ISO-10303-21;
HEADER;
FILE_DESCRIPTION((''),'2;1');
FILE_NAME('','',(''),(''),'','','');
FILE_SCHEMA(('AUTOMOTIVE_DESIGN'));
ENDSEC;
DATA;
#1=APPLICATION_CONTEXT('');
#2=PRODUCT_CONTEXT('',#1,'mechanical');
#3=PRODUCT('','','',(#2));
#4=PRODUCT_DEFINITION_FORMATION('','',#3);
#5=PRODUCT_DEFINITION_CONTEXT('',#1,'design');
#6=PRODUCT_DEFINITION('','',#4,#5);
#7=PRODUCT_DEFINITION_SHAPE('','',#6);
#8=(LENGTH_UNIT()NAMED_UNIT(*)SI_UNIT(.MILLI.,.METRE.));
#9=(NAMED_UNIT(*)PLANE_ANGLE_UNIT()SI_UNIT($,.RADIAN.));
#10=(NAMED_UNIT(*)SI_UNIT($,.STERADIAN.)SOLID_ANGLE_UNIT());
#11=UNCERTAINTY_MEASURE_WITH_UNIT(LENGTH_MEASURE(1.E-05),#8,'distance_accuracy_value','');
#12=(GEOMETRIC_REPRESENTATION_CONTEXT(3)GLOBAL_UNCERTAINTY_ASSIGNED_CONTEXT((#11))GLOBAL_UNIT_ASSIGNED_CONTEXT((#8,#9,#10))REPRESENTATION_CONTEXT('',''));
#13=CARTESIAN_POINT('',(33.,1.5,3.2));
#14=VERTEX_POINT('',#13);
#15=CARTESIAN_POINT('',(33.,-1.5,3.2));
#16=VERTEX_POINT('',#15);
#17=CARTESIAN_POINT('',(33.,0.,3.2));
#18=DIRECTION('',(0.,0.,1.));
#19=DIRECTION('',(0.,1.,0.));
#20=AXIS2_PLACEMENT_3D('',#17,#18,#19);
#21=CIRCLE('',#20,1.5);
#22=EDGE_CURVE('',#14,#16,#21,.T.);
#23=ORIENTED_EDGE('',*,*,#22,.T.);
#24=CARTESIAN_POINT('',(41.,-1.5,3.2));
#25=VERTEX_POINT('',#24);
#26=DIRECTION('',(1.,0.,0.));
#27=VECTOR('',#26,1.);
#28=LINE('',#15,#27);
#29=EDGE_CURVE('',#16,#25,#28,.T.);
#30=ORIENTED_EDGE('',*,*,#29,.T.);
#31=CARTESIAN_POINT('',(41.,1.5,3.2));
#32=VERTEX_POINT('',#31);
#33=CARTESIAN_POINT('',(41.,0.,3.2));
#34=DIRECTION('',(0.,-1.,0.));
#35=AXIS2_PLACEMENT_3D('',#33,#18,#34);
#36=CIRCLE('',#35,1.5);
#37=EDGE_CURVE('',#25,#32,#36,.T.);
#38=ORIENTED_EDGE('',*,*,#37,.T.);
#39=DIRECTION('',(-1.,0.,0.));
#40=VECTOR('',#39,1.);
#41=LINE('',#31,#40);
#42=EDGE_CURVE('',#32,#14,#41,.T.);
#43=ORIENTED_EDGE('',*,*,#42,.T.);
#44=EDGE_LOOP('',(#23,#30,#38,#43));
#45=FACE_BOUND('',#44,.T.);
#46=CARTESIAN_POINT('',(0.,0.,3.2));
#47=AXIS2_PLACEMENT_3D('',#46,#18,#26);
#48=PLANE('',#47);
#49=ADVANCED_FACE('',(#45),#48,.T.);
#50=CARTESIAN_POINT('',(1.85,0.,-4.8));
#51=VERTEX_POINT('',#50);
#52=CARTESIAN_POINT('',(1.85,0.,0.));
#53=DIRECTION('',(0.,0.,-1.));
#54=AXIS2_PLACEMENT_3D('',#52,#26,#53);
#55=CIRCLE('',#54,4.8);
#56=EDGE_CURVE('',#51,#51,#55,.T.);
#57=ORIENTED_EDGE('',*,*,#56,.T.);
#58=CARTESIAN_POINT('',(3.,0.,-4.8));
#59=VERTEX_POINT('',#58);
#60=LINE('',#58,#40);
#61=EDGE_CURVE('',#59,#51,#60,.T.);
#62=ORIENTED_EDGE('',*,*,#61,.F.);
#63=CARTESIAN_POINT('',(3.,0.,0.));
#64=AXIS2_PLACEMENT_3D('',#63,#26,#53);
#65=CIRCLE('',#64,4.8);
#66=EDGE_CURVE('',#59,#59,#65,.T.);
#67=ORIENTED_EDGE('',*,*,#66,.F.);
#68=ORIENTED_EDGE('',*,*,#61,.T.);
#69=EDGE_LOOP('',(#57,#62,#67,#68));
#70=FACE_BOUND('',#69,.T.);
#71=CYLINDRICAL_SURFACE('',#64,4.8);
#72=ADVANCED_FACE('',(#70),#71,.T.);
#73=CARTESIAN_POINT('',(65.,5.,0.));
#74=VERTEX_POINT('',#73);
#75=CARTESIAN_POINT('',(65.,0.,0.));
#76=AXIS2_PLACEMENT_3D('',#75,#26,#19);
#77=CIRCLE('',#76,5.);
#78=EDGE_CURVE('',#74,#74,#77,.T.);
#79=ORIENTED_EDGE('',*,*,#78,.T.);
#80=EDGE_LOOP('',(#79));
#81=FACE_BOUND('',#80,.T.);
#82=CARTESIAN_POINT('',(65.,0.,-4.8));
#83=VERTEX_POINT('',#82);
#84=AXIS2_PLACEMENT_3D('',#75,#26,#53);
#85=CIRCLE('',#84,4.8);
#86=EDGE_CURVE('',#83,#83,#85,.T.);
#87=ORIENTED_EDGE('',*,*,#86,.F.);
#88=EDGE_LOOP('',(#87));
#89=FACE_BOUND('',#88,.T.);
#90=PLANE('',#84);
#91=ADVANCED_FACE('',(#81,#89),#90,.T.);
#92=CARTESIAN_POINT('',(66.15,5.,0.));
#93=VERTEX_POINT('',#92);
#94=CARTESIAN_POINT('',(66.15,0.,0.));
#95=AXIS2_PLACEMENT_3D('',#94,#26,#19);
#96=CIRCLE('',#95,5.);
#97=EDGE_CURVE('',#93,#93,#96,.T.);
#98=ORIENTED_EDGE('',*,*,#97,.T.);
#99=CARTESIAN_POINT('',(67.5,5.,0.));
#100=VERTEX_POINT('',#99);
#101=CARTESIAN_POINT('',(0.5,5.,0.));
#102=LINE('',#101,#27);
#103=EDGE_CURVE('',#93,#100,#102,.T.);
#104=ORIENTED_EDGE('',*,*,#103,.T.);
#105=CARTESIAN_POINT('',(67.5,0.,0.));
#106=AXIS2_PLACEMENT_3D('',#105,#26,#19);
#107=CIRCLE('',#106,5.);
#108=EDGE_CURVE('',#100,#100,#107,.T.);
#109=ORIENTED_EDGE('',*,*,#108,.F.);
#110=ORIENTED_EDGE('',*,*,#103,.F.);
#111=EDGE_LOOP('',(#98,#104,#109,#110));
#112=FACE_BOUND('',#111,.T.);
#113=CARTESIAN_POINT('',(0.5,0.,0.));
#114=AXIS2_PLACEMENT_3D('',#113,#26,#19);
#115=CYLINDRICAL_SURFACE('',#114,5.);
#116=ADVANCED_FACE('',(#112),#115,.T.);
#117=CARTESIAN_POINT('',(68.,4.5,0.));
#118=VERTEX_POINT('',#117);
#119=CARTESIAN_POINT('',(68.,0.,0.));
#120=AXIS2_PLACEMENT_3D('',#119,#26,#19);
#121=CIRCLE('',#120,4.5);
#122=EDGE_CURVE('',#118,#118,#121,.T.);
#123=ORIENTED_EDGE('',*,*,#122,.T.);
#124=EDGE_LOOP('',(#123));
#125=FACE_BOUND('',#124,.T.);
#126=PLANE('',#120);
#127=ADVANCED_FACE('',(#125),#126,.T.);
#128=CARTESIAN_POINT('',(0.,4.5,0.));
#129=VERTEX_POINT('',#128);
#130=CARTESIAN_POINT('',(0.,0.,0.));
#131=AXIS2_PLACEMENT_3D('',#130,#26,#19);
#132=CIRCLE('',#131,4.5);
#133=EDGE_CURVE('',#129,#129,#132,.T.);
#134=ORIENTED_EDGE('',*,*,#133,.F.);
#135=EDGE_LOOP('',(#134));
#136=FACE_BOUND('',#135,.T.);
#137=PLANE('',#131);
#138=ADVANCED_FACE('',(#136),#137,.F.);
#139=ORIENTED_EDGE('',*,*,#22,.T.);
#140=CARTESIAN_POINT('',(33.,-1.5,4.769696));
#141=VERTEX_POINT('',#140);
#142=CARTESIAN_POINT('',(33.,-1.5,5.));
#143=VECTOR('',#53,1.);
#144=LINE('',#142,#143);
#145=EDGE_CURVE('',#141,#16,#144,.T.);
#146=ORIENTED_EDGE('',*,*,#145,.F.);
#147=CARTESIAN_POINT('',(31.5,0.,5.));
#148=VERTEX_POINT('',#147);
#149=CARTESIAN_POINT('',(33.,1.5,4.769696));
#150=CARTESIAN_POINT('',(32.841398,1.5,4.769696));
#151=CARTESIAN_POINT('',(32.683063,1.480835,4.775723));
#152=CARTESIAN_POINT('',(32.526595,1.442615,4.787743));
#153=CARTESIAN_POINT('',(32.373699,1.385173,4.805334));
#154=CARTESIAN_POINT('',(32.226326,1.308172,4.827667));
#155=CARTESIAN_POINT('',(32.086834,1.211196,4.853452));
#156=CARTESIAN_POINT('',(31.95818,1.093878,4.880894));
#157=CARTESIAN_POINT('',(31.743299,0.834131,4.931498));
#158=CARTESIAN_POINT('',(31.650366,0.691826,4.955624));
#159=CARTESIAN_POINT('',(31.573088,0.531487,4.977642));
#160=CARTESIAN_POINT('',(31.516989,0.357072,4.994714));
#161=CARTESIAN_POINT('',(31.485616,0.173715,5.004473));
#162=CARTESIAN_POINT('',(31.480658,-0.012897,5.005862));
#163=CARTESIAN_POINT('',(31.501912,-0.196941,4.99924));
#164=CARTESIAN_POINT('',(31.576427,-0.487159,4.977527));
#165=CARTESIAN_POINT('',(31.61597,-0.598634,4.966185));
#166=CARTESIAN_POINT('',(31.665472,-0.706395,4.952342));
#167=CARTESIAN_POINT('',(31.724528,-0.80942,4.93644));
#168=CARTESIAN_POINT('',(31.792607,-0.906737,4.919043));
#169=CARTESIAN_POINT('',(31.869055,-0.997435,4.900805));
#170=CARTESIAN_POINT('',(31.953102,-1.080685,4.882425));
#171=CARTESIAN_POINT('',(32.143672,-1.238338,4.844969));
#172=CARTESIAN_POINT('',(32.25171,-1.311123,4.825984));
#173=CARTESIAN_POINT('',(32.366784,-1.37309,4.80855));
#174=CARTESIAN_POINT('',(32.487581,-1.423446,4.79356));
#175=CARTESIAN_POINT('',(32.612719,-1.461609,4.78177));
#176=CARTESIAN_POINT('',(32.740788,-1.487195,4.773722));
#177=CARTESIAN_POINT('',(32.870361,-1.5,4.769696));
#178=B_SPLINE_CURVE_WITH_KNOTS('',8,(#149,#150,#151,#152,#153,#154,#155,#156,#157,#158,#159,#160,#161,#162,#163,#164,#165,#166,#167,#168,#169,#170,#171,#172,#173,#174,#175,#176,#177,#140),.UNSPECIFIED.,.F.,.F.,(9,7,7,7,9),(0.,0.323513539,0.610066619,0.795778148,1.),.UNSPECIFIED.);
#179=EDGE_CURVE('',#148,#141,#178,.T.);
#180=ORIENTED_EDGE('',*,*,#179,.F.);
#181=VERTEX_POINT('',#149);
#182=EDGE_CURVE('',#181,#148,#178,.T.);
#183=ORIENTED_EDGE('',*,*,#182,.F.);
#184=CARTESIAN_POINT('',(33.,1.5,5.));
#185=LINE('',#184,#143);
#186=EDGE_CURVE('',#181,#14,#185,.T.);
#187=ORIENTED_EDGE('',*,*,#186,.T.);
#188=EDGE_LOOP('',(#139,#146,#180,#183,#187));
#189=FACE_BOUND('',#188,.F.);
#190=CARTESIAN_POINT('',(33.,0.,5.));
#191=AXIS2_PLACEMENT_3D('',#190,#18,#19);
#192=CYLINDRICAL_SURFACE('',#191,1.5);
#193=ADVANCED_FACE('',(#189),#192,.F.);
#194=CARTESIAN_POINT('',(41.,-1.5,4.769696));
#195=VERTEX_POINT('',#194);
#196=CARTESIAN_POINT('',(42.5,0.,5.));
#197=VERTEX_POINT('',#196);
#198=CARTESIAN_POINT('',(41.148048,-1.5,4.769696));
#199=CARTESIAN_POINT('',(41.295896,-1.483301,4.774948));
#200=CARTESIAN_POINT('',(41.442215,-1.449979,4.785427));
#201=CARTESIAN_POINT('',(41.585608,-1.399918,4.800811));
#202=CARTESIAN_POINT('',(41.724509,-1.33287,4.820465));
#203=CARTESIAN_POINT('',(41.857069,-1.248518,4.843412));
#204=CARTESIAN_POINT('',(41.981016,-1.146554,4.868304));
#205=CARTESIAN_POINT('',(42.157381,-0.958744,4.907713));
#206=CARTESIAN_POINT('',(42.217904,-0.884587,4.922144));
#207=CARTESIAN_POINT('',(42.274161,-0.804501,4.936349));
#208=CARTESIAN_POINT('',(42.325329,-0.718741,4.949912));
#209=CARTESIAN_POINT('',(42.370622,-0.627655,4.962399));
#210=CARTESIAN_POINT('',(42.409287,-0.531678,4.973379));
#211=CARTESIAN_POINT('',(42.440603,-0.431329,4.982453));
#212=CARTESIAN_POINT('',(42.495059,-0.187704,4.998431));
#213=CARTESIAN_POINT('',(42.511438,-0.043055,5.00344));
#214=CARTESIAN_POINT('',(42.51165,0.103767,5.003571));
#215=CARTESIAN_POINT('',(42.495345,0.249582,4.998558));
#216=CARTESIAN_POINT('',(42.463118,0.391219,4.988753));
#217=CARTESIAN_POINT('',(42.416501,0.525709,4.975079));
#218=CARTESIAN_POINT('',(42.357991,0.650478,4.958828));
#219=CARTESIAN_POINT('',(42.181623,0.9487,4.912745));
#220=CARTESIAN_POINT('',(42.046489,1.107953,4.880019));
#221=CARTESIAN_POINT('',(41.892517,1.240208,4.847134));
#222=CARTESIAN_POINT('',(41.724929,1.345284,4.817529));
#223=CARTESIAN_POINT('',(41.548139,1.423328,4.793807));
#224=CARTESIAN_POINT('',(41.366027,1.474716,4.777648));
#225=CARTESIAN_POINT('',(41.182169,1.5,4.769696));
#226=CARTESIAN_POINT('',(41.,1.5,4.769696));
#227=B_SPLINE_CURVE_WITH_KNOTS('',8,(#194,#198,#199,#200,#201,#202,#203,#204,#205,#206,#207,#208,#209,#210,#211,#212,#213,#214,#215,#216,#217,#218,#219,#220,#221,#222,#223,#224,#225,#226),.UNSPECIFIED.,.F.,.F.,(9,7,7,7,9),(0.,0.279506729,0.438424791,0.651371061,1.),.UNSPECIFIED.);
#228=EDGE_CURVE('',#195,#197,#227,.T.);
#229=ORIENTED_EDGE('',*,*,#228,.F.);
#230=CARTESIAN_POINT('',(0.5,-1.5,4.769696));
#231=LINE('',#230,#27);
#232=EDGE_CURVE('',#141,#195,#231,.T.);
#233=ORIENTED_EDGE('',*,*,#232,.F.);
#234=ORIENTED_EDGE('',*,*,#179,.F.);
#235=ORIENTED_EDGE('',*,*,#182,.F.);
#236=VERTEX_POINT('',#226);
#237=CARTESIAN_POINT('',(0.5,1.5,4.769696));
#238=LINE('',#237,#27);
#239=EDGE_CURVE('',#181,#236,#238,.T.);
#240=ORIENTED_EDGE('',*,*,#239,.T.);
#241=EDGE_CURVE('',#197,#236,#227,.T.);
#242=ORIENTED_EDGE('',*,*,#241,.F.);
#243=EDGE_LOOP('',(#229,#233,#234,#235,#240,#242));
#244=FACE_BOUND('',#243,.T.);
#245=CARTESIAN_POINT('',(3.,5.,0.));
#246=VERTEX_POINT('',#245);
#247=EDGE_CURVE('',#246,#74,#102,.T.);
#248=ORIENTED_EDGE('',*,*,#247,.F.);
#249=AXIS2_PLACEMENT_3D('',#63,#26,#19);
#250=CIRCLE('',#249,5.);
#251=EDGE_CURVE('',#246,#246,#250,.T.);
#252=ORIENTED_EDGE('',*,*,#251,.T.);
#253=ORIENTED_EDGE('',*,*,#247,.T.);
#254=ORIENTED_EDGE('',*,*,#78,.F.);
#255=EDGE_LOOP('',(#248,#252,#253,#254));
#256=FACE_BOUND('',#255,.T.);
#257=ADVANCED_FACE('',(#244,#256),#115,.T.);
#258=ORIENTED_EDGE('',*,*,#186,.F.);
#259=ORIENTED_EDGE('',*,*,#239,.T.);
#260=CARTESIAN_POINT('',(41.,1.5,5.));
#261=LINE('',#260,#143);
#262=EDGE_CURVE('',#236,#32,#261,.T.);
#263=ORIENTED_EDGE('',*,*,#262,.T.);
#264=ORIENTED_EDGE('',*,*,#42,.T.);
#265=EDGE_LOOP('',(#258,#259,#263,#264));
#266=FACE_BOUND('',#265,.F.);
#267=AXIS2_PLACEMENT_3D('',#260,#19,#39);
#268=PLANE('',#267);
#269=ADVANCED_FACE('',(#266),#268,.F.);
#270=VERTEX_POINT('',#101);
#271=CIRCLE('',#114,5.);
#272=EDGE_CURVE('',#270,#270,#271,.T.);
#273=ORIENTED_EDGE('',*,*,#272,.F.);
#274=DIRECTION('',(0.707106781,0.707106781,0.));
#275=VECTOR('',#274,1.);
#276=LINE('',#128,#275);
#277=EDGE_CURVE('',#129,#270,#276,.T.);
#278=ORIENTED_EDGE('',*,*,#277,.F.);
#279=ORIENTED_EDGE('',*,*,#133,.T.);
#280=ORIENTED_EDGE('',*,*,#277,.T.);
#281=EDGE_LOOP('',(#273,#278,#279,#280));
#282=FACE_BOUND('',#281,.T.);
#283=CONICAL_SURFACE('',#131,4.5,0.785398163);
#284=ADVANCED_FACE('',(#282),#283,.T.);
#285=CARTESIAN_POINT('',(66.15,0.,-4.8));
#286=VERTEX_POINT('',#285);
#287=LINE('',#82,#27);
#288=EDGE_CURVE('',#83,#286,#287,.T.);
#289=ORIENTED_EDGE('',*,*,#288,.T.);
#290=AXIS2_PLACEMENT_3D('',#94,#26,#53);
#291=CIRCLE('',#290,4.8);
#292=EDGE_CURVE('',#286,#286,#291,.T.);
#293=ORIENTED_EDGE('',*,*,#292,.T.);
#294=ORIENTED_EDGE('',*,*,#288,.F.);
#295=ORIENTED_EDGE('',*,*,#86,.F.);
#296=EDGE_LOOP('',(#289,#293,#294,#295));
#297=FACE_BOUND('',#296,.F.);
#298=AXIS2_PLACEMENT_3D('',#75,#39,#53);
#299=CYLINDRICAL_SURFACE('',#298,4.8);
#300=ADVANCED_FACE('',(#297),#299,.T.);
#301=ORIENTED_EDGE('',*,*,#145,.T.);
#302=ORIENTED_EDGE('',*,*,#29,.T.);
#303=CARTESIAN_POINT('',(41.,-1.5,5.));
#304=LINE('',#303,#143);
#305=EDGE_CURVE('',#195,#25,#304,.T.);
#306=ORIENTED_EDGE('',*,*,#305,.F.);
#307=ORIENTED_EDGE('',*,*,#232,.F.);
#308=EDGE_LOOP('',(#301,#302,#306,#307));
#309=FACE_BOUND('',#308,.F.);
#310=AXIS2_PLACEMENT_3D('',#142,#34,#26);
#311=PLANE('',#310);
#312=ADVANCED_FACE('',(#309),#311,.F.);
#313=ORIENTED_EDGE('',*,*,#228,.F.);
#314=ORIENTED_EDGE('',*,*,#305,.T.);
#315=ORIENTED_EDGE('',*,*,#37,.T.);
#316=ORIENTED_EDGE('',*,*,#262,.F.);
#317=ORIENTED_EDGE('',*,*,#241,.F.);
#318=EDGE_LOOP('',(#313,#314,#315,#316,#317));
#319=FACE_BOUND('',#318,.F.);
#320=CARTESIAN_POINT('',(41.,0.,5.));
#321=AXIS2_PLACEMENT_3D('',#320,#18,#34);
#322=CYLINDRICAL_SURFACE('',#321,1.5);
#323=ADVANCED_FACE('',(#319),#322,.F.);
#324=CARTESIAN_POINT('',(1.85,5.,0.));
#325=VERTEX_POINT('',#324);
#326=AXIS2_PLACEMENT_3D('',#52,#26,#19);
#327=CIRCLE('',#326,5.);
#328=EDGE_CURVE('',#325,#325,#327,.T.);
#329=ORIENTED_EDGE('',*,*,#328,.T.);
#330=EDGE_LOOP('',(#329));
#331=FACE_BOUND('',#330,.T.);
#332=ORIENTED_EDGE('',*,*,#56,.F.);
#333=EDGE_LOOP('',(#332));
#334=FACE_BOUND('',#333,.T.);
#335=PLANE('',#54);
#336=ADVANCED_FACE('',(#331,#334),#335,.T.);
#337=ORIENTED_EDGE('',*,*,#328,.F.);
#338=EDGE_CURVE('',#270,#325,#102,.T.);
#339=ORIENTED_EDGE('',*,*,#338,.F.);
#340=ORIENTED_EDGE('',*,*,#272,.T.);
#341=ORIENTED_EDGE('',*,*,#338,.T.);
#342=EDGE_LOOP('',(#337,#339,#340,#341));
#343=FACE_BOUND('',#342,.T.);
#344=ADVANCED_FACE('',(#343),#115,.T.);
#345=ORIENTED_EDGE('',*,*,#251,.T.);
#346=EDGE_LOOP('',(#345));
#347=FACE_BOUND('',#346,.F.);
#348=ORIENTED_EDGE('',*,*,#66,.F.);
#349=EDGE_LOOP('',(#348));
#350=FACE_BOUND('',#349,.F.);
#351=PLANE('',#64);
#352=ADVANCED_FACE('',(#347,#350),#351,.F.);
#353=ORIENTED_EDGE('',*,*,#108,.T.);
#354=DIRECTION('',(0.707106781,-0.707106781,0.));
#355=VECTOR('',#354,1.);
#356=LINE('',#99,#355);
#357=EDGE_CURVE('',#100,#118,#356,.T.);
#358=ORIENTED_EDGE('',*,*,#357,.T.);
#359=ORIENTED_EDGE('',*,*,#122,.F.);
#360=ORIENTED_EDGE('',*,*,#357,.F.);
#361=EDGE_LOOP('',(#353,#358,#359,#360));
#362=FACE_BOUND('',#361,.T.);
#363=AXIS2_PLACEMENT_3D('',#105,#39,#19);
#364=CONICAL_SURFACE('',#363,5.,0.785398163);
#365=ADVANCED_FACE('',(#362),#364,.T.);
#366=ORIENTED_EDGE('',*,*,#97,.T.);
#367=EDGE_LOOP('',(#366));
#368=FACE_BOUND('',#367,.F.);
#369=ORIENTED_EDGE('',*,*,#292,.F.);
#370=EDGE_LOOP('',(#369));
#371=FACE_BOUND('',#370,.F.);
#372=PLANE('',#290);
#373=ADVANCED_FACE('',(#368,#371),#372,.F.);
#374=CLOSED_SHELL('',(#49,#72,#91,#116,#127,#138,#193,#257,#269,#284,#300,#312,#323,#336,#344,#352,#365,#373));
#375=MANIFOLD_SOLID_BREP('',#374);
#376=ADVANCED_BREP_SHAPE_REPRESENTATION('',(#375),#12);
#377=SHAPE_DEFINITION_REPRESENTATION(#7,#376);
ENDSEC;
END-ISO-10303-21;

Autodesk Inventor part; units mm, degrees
sketch "Sketch_1" plane through (0, 0, 0) normal (0, 0, 1) x (1, 0, 0)
  line L0 (68, 0) -> (0, 0)
  line L1 (0, 0) -> (0, 4.5)
  line L2 (0, 4.5) -> (0.5, 5)
  line L3 (0.5, 5) -> (67.5, 5)
  line L4 (67.5, 5) -> (68, 4.5)
  line L5 (68, 4.5) -> (68, 0)
  line L6 (68, 0) -> (0, 0)
revolve "Revolution1" add sketch "Sketch_1" angle 360 about axis through (68, 0, 0) along (1, 0, 0)
sketch "_____10" plane through (0, 0, 5) normal (0, 0, 1) x (1, 0, 0)
  arc A0 (33, 1.5) -> (33, -1.5) centre (33, 0) ccw
  line L0 (33, -1.5) -> (41, -1.5)
  arc A1 (41, -1.5) -> (41, 1.5) centre (41, 0) ccw
  line L1 (41, 1.5) -> (33, 1.5)
extrude "Extrusion1" cut sketch "_____10" against normal blind 1.8
sketch "_____5" plane through (3, 0, 0) normal (1, 0, 0) x (0, 0, -1)
  circle A0 centre (0, 0) radius 10
  circle A1 centre (0, 0) radius 4.8
extrude "Extrusion2" cut sketch "_____5" against normal blind 1.15
sketch "_____6" plane through (65, 0, 0) normal (1, 0, 0) x (0, 0, -1)
  circle A0 centre (0, 0) radius 10
  circle A1 centre (0, 0) radius 4.8
extrude "Extrusion3" cut sketch "_____6" along normal blind 1.15
ref_plane "COMBINATION_MODULE_XY" through (0, 0, 0) normal (1, 0, 0) x (0, 0, -1)
ref_plane "COMBINATION_MODULE_YZ" through (0, 0, 0) normal (0, 0, -1) x (0, 1, 0)
ref_plane "COMBINATION_MODULE_ZX" through (0, 0, 0) normal (0, 1, 0) x (1, 0, 0)
ref_plane "to_ring_b_XY" through (2.425, 0, 0) normal (1, 0, 0) x (0, 0, -1)
ref_plane "to_ring_b_YZ" through (2.425, 0, 0) normal (0, 0, -1) x (0, 1, 0)
ref_plane "to_ring_b_ZX" through (2.425, 0, 0) normal (0, 1, 0) x (1, 0, 0)
ref_plane "to_ring_s_XY" through (65.575, 0, 0) normal (1, 0, 0) x (0, 0, -1)
ref_plane "to_ring_s_YZ" through (65.575, 0, 0) normal (0, 0, -1) x (0, 1, 0)
ref_plane "to_ring_s_ZX" through (65.575, 0, 0) normal (0, 1, 0) x (1, 0, 0)
properties part number "NSFMRRA10-68-B3-S3-KC31.5-A11(000_000)_s"
